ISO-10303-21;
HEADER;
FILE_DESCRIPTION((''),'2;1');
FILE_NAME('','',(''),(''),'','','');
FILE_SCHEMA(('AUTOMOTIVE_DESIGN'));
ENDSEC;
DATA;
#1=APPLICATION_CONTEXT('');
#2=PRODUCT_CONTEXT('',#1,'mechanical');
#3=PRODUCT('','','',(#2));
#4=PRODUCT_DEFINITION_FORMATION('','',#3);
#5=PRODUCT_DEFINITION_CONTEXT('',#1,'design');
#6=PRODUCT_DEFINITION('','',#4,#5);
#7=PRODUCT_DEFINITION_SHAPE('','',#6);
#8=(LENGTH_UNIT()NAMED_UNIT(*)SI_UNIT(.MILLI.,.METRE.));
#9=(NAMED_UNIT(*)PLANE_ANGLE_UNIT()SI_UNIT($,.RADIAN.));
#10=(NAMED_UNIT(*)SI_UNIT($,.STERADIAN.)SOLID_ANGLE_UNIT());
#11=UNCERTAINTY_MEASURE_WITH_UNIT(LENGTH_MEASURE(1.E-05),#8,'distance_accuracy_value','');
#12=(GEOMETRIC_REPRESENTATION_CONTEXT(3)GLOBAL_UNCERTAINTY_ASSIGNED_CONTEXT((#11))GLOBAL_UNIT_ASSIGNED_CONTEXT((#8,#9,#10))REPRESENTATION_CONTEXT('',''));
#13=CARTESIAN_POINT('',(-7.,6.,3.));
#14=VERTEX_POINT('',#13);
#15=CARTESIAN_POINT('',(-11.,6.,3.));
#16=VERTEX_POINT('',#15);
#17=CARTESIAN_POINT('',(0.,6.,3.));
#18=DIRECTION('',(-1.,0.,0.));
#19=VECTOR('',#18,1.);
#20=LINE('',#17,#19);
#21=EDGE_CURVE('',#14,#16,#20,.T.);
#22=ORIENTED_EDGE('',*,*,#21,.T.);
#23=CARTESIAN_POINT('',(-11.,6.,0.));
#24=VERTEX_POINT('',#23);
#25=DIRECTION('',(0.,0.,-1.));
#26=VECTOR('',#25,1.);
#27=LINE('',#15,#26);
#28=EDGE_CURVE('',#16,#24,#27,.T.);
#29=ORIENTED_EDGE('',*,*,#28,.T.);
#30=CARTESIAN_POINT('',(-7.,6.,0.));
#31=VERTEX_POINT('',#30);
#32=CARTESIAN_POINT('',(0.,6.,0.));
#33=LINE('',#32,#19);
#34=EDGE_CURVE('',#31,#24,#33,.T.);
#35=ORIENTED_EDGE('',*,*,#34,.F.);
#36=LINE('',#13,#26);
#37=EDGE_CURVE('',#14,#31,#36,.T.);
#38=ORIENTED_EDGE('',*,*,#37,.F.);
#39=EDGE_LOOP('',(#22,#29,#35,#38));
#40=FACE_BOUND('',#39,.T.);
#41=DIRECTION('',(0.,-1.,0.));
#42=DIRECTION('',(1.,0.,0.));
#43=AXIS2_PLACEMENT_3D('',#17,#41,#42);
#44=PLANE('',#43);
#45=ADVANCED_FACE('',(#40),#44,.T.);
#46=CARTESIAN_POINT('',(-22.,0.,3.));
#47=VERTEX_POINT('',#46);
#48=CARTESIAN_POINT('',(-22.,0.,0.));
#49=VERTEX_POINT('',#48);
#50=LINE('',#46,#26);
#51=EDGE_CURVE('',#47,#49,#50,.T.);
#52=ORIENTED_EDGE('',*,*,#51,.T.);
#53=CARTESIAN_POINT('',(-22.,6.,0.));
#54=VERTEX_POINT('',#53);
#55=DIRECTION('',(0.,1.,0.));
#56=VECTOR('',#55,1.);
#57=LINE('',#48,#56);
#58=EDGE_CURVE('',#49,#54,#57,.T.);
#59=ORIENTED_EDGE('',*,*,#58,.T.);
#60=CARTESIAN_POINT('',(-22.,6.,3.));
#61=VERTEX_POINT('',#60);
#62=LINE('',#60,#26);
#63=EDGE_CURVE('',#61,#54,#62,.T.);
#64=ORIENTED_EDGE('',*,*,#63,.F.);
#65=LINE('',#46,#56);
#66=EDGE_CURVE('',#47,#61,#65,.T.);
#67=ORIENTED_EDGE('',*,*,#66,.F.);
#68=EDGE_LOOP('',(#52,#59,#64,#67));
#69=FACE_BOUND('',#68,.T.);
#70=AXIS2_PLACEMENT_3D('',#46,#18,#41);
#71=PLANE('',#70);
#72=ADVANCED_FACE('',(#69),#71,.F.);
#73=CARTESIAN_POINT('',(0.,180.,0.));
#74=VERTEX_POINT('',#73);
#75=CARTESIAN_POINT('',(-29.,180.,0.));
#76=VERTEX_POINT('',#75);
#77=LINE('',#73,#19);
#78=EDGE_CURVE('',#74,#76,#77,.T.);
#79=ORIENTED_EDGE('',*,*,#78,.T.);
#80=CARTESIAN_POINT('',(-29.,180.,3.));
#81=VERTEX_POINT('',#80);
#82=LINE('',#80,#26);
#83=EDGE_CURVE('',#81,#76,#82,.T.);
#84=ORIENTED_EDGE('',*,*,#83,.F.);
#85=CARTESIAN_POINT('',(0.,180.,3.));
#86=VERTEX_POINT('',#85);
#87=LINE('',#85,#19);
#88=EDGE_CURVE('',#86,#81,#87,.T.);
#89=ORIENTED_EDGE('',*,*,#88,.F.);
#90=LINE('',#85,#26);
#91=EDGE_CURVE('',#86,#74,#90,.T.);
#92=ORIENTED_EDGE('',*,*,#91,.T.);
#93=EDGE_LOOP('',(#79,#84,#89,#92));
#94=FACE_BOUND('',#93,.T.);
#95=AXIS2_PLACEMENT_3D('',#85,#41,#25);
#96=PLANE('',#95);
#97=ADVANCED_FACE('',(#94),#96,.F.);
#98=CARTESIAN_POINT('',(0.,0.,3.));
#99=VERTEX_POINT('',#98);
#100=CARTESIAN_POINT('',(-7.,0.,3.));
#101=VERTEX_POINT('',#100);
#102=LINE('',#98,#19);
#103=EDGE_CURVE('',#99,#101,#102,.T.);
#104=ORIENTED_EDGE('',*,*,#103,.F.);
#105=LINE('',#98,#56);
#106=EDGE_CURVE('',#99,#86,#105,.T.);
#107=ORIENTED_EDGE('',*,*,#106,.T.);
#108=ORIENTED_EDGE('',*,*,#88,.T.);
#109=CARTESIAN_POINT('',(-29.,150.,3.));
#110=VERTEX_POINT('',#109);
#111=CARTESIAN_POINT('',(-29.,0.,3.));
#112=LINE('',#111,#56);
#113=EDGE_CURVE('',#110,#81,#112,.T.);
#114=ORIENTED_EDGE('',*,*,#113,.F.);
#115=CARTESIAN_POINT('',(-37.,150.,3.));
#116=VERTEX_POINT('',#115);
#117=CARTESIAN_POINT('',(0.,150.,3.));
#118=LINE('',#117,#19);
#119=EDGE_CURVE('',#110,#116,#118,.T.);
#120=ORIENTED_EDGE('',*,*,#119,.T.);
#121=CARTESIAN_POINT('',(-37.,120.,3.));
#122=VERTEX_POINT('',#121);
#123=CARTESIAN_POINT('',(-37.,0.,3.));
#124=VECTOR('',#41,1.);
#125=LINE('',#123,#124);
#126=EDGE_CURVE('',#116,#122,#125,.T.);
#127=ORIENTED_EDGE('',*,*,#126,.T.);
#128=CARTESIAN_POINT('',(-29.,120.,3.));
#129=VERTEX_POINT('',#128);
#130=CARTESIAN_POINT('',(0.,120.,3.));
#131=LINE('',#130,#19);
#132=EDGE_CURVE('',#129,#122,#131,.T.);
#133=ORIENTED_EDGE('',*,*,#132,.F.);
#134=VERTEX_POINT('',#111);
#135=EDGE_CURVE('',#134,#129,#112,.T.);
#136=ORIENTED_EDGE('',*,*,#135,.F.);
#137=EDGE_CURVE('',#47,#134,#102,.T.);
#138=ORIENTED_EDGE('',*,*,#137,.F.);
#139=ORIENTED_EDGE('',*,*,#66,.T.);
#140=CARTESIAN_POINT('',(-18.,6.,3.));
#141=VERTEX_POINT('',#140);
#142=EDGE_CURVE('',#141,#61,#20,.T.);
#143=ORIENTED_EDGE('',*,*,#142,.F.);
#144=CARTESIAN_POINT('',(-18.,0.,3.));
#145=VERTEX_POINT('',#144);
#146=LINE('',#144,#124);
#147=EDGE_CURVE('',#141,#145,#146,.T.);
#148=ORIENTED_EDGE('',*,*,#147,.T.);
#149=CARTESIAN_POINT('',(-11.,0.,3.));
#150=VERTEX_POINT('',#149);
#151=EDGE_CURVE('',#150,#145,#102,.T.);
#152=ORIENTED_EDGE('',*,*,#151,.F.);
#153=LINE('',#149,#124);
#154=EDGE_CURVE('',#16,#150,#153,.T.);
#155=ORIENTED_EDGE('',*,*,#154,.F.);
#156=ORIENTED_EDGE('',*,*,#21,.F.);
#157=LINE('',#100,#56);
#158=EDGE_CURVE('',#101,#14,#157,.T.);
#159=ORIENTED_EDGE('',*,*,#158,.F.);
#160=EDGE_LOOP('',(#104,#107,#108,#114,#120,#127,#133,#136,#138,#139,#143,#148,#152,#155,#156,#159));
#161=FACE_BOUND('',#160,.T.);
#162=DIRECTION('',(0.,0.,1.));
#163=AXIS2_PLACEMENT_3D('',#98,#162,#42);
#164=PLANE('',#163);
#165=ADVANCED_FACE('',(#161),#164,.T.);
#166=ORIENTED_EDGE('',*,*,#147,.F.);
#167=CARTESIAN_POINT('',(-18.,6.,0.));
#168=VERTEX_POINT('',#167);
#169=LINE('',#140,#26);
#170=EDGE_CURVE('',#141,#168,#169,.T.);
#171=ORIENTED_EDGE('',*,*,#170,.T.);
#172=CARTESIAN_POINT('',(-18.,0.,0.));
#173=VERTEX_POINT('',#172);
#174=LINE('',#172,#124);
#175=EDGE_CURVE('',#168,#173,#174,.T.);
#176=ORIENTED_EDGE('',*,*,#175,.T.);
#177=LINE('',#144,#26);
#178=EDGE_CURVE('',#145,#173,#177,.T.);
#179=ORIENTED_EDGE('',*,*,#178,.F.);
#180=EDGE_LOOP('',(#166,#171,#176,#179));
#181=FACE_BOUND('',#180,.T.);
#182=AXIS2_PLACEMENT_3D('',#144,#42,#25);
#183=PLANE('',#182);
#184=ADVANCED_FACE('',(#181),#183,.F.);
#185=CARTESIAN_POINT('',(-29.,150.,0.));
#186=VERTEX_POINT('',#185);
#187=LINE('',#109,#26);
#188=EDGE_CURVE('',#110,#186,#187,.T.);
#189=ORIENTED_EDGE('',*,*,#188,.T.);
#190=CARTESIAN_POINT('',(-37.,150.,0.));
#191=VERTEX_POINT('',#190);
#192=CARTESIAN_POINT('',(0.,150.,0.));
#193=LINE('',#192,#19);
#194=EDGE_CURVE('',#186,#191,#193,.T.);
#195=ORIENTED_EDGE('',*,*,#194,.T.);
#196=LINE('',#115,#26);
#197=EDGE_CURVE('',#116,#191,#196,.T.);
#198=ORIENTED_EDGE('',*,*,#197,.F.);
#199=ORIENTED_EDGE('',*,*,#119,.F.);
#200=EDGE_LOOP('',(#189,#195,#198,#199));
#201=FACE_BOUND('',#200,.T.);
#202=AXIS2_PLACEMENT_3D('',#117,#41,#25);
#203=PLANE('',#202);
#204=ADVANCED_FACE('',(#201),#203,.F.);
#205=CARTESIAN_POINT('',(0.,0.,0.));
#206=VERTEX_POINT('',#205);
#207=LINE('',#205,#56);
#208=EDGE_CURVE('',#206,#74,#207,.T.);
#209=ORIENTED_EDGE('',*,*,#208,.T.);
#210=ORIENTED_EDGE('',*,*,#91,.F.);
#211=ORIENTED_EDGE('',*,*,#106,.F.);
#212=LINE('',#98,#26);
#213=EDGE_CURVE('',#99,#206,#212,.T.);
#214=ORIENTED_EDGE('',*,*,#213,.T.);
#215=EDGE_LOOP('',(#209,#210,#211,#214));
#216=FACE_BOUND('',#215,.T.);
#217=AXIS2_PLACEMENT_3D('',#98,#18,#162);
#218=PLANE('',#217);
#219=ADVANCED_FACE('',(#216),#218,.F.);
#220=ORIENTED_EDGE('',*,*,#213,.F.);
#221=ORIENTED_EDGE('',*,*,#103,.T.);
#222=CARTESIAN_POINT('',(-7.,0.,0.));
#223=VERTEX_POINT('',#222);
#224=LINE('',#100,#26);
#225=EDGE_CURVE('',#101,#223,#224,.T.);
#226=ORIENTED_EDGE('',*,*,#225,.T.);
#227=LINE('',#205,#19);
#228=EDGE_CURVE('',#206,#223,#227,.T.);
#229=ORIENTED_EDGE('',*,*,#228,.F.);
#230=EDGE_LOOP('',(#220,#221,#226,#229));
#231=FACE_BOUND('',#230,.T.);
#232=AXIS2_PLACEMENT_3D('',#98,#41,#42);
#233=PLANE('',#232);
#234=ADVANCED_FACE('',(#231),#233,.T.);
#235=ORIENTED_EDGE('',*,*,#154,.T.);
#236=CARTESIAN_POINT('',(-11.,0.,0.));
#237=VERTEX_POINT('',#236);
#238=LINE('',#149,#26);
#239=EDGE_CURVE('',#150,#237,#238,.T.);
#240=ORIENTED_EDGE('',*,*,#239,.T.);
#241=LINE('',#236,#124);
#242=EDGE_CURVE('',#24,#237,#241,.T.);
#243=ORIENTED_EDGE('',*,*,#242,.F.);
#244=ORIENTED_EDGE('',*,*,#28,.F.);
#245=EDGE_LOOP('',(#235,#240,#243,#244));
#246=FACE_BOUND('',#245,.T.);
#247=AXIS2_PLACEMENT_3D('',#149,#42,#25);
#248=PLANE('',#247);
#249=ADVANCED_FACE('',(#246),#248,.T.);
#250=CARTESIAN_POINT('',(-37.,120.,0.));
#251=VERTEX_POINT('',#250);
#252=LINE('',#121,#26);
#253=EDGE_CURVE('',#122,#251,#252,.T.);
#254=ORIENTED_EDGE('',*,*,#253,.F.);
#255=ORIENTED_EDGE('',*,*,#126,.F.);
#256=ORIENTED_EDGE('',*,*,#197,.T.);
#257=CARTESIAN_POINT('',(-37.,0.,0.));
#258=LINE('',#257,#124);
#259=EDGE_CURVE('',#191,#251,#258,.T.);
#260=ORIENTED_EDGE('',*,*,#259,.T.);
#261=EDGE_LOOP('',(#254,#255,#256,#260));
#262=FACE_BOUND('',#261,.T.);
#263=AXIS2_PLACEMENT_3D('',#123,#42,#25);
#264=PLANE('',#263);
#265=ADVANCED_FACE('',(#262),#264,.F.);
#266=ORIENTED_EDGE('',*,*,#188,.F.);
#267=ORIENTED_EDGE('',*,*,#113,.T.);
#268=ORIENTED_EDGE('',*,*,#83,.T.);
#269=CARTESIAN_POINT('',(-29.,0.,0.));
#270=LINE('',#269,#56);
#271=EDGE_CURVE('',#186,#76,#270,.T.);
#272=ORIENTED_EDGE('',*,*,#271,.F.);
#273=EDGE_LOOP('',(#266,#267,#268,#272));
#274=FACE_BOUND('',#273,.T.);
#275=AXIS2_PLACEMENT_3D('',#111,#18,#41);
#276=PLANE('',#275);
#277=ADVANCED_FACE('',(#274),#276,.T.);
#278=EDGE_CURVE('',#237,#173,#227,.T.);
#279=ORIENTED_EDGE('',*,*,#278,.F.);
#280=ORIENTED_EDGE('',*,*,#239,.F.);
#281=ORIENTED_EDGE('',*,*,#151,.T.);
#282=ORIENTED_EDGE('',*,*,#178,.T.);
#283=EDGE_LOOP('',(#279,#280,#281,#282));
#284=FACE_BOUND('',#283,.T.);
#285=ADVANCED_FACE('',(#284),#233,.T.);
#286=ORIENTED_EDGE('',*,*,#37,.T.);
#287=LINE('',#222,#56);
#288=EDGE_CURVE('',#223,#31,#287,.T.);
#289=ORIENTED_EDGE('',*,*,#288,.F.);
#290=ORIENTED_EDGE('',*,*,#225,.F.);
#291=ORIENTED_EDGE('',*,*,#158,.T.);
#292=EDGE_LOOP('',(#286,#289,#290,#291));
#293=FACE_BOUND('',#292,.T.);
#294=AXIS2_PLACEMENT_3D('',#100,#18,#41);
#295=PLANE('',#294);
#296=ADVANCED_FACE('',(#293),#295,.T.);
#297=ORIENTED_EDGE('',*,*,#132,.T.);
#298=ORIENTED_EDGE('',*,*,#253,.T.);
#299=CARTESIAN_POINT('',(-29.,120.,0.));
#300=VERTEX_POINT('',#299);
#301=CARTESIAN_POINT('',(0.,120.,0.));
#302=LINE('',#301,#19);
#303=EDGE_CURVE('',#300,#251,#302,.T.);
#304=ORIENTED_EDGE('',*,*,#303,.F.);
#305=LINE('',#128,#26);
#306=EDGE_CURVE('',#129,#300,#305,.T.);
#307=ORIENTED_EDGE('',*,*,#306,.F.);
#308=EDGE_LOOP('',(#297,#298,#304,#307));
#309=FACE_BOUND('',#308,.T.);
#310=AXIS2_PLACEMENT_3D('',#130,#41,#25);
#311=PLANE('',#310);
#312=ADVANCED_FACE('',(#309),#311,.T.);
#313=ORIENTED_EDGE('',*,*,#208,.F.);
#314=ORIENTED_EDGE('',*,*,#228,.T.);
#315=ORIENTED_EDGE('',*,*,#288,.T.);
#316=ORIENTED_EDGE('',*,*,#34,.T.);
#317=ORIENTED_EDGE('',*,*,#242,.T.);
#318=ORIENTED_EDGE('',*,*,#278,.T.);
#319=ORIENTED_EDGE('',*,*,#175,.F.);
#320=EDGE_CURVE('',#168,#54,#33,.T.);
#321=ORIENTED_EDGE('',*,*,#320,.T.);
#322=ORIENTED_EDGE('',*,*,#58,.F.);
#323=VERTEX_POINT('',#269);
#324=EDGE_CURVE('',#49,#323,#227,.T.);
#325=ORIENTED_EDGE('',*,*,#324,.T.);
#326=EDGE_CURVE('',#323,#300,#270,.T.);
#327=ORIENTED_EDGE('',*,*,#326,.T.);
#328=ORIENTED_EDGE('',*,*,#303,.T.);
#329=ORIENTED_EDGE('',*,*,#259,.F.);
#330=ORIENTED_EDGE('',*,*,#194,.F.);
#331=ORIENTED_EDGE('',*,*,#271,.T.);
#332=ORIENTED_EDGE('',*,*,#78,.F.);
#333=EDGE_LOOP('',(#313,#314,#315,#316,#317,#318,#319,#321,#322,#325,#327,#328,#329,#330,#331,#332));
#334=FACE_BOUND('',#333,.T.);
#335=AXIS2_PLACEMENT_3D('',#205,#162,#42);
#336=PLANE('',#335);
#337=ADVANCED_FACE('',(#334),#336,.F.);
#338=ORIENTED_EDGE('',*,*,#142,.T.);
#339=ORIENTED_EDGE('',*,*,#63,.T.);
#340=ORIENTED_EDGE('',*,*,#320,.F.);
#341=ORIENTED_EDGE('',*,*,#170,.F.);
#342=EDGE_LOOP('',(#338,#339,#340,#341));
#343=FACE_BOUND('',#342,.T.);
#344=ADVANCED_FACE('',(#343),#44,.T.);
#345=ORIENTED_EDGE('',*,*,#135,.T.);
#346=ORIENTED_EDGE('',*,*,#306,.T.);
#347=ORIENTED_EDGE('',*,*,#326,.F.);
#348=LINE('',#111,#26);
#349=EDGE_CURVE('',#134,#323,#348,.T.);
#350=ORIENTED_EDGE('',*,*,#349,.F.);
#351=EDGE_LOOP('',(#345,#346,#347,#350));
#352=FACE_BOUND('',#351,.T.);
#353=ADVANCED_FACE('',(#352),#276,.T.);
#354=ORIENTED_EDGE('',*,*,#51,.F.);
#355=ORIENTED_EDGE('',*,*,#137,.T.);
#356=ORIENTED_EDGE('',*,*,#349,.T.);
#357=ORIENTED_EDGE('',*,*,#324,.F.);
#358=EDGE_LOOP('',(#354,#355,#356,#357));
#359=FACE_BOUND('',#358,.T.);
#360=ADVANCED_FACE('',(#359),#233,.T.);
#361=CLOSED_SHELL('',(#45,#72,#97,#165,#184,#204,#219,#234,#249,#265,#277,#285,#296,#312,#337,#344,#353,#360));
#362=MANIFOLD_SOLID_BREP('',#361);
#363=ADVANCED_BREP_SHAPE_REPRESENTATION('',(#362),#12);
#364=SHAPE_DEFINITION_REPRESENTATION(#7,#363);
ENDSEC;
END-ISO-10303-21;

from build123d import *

# Parameters (mm, degrees)
BOSS_EXTRU_1_DEPTH = 3


with BuildPart() as part:
    # Esquisse1 → Boss.-Extru.1 (new body)
    with BuildSketch(Plane.XY):
        Polygon((-7, 0), (0, 0), (0, 180), (-29, 180), (-29, 150), (-37, 150), (-37, 120), (-29, 120), (-29, 0), (-22, 0), (-22, 6), (-18, 6), (-18, 0), (-11, 0), (-11, 6), (-7, 6), align=None)
    extrude(amount=BOSS_EXTRU_1_DEPTH)


solid = part.part
